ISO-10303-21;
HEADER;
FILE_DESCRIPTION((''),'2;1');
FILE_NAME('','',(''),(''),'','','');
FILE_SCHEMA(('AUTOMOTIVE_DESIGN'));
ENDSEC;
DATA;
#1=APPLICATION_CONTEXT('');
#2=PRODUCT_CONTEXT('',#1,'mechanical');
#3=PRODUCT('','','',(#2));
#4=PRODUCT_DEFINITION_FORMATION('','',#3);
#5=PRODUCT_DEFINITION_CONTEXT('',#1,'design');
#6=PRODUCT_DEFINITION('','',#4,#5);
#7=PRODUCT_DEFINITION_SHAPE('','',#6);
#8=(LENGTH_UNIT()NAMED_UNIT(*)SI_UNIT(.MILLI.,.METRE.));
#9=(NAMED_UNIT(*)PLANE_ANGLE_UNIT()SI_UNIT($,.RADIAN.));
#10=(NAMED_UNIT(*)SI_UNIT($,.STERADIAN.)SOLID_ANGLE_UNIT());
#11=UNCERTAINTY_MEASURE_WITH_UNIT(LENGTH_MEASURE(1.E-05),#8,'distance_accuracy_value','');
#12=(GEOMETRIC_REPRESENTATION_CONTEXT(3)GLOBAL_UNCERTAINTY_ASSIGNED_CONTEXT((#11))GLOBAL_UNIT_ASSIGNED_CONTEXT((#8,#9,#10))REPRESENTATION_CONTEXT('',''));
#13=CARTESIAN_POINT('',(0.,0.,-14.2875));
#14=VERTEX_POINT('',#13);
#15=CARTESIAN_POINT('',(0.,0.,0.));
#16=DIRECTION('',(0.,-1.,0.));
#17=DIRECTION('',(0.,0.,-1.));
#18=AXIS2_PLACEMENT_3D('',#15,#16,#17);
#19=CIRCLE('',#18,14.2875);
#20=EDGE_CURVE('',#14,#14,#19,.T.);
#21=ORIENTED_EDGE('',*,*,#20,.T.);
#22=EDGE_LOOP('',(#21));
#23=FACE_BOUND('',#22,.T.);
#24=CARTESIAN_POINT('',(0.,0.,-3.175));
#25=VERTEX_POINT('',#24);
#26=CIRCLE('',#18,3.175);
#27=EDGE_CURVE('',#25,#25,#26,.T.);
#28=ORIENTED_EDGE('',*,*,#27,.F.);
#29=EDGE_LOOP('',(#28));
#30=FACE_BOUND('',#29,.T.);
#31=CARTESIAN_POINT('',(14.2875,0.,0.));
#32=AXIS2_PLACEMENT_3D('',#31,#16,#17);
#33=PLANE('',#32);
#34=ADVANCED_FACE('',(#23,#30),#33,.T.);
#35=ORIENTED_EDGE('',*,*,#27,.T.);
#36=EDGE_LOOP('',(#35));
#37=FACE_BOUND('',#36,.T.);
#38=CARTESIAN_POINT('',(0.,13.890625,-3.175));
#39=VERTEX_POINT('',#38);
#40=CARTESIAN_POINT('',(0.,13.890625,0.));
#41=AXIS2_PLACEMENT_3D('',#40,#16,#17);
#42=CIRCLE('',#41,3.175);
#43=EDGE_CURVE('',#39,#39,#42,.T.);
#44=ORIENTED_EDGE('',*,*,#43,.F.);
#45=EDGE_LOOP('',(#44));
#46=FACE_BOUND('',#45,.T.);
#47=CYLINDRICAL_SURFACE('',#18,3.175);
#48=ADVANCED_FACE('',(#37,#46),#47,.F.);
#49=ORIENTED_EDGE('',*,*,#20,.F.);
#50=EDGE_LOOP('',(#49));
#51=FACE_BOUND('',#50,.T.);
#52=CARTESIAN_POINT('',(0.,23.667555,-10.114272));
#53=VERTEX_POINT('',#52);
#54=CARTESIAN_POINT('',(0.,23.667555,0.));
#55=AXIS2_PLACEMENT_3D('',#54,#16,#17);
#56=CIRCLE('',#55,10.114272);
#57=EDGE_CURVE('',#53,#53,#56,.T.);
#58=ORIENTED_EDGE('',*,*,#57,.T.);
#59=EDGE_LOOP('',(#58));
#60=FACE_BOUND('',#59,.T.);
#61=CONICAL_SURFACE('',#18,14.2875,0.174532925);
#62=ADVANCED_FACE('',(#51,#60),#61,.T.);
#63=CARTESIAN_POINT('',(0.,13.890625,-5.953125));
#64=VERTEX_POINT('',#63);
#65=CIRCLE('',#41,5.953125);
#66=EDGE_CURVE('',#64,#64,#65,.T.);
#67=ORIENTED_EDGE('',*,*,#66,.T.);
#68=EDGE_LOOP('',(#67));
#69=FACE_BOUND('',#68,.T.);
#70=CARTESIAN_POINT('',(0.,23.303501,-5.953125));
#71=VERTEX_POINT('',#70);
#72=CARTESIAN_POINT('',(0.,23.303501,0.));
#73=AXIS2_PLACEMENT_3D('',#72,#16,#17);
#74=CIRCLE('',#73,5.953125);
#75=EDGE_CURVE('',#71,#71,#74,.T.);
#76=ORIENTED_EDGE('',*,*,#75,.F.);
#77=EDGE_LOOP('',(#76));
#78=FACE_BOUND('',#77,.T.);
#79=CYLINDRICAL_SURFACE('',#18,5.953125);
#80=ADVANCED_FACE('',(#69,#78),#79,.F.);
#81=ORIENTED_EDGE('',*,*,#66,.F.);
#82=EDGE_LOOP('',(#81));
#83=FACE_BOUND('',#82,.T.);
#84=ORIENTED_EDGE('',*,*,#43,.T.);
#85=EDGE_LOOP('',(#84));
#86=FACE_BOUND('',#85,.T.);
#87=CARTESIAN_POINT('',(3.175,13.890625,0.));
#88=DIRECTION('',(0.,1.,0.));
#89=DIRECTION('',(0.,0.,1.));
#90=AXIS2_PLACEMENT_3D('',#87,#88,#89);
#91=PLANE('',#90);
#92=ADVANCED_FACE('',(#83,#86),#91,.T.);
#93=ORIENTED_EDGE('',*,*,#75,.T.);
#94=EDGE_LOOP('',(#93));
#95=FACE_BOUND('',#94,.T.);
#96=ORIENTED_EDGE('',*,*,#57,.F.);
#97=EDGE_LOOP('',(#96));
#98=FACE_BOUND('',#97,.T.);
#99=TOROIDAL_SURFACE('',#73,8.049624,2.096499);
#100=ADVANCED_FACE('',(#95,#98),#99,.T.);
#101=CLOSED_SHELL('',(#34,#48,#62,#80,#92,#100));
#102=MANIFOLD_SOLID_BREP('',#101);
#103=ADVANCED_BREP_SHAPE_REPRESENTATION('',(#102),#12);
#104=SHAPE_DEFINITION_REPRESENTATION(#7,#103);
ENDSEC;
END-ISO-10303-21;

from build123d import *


with BuildPart() as part:
    # Sketch2 → Revolve1 (revolve)
    with BuildSketch(Plane.XY):
        with BuildLine():
            Line((14.2875, 0), (3.175, 0))
            Line((3.175, 0), (3.175, 13.890625))
            Line((3.175, 13.890625), (5.953125, 13.890625))
            Line((5.953125, 13.890625), (5.953125, 23.303501461))
            ThreePointArc((5.953125, 23.303501461), (7.866901652, 25.39202219), (10.114271555, 23.667554612))
            Line((10.114271555, 23.667554612), (14.2875, 0))
        make_face()
    revolve(axis=Axis((0, 0, 0), (0, 1, 0)))


solid = part.part
